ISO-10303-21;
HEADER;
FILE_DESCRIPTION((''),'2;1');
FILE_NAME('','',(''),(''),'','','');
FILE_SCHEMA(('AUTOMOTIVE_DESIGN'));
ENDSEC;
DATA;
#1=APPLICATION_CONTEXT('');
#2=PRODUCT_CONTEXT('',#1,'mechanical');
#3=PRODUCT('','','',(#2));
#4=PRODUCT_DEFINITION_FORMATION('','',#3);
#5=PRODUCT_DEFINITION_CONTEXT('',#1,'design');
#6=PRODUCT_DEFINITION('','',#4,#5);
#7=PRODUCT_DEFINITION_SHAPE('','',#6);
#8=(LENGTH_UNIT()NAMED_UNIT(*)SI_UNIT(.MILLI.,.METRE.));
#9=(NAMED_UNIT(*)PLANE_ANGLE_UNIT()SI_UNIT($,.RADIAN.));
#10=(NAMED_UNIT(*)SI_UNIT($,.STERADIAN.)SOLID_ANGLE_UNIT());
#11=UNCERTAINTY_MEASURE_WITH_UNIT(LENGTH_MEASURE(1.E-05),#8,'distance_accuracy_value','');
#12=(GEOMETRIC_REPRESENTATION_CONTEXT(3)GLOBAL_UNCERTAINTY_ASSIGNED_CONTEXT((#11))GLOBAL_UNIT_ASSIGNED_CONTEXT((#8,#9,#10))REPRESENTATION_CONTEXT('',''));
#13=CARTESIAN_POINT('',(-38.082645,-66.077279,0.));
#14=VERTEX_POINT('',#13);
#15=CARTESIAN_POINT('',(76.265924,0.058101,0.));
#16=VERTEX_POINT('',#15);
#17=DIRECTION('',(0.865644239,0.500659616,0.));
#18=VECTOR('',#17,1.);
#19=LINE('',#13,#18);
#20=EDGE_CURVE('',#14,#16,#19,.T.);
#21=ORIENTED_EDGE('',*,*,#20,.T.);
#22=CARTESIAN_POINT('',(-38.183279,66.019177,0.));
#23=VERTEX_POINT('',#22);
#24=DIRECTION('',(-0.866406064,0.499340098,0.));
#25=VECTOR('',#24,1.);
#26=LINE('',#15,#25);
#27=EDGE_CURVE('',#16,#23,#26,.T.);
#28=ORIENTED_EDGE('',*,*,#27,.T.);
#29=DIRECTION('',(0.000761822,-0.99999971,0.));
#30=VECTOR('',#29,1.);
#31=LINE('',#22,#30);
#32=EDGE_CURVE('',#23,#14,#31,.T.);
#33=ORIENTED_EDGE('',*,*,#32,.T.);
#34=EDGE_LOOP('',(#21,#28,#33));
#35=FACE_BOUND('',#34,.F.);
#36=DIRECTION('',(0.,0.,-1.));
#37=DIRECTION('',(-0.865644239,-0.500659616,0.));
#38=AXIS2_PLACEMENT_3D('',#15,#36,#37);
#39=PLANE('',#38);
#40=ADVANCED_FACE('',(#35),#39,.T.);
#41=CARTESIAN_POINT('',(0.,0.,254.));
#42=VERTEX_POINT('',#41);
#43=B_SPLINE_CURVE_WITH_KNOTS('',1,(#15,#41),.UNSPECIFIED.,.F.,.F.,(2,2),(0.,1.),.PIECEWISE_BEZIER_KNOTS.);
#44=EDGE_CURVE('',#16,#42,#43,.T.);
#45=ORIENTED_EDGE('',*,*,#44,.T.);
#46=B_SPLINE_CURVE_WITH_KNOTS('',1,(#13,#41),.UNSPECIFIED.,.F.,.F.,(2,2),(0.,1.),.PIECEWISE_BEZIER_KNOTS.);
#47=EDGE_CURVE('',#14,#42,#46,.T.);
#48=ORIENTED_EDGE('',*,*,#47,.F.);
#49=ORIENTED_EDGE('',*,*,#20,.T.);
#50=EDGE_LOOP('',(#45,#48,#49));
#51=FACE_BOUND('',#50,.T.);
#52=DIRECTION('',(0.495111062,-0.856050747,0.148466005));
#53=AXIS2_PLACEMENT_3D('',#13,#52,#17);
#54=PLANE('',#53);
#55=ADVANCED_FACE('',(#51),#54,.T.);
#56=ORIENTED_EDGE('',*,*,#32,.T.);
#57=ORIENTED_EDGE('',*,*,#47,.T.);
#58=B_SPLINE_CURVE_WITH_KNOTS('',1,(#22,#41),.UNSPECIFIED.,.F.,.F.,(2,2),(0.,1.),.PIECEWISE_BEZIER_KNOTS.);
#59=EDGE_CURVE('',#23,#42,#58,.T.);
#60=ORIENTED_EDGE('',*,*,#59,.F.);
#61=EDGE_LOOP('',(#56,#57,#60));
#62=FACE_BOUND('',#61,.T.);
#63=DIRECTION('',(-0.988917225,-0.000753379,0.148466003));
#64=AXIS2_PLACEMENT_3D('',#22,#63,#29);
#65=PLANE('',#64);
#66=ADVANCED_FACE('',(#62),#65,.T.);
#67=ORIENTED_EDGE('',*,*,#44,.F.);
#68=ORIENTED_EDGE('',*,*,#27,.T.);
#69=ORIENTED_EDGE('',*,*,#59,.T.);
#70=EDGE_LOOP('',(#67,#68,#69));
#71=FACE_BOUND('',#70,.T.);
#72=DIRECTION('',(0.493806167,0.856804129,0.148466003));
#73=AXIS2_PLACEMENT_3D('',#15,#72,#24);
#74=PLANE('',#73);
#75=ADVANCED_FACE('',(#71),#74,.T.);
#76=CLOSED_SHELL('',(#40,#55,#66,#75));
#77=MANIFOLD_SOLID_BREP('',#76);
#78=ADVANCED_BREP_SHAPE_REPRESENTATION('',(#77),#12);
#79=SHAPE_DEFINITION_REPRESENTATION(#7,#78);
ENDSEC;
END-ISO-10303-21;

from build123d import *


with BuildPart() as f3:
    # F0 (on Top) → F3 section 0
    with BuildSketch(Plane.XY, mode=Mode.PRIVATE) as f3_s0:
        Polygon((76.265924, 0.058101), (-38.183279, 66.019177), (-38.082645, -66.077279), align=None)
    loft([f3_s0.sketch, Vertex(0, 0, 254)])


solid = f3.part
